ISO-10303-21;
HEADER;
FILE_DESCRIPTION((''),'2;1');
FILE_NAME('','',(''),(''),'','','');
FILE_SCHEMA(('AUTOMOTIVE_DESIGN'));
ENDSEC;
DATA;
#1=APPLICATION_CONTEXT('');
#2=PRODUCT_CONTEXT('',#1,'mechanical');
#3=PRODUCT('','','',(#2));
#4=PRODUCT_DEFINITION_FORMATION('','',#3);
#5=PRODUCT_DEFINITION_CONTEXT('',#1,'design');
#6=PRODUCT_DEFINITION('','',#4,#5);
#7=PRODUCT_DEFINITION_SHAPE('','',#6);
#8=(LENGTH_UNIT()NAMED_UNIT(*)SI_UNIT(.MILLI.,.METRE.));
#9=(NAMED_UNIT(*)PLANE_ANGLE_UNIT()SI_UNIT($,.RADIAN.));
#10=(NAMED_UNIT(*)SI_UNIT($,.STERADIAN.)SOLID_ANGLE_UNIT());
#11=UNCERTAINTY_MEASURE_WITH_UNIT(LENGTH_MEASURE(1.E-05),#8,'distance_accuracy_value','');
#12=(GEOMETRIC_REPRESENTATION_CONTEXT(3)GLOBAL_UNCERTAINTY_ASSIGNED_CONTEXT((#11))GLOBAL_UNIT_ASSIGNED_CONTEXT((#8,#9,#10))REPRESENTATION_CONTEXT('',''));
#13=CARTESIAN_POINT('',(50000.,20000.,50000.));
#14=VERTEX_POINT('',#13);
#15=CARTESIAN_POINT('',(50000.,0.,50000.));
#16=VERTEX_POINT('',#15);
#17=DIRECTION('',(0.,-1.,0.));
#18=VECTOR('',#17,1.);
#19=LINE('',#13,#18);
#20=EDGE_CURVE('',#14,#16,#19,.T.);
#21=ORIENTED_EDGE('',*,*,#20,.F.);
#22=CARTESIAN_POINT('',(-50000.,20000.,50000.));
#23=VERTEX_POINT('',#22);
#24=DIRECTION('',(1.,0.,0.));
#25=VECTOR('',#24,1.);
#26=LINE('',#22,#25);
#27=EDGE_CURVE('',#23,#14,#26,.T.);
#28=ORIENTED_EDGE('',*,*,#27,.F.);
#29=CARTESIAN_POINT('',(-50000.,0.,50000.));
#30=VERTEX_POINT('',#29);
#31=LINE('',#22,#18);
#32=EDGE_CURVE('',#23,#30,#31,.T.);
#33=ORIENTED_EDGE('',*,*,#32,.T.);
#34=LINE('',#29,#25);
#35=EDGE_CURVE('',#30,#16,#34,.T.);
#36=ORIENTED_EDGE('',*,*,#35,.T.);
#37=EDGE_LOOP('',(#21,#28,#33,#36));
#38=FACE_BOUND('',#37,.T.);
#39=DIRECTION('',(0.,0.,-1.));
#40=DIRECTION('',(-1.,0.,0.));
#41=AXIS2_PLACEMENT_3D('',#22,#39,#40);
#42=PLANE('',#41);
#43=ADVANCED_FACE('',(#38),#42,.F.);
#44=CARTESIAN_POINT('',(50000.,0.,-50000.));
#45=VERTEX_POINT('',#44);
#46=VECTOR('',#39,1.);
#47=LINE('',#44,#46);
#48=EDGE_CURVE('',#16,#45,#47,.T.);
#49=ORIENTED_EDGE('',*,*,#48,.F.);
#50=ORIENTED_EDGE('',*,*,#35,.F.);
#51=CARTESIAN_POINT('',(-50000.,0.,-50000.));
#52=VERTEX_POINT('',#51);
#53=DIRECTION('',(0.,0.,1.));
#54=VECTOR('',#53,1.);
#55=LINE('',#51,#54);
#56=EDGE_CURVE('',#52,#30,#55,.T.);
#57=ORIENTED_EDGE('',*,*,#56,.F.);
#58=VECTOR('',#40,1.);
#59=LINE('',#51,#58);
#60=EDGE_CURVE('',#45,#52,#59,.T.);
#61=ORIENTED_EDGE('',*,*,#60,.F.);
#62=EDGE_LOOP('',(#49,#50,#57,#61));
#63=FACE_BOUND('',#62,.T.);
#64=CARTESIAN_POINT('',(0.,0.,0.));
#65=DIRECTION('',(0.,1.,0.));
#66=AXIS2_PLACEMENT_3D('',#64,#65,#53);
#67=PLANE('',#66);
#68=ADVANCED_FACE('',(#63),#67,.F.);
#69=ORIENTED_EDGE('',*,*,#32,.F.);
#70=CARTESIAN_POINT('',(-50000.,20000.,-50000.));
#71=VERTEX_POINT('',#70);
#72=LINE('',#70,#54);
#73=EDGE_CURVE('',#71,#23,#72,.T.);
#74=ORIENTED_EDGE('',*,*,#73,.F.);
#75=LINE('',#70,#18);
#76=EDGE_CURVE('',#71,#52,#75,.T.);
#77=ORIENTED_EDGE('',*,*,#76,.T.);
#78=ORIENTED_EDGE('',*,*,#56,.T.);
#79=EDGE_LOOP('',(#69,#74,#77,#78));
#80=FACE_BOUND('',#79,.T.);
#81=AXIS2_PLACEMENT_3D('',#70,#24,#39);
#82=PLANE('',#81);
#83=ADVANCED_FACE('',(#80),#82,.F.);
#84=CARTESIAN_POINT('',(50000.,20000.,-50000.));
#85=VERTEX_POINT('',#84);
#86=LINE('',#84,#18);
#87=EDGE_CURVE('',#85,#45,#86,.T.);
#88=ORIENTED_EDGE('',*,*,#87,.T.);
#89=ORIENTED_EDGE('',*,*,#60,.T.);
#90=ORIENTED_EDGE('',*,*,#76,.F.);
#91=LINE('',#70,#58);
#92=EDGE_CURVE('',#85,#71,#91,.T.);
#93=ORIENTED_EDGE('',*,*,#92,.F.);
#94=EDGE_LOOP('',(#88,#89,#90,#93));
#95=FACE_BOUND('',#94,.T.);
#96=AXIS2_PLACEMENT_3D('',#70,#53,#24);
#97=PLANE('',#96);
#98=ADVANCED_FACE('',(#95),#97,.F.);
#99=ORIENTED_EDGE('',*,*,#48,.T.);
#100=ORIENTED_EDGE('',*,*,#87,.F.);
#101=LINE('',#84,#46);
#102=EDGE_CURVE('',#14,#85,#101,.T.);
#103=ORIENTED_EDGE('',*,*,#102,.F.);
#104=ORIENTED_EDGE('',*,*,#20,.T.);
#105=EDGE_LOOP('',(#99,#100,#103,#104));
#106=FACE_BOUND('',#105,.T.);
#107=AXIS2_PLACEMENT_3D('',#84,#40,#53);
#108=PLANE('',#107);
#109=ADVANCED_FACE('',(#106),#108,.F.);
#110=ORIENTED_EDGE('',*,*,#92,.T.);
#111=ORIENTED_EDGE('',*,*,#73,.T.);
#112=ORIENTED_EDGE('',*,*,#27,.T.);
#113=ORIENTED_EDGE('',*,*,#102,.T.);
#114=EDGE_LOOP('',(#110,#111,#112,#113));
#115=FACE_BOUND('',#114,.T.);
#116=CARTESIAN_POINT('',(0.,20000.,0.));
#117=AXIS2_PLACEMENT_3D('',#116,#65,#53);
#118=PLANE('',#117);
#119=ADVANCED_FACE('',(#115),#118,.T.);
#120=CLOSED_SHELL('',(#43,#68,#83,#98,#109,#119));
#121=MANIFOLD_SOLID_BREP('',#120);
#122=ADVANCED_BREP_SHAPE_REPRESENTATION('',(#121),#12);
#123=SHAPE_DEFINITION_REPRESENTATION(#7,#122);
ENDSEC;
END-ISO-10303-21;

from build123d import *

# Parameters (mm, degrees)
SKETCH_1_W      = 100000
SKETCH_1_H      = 100000
EXTRUDE_1_DEPTH = 20000


with BuildPart() as part:
    # 草圖1 → 填料-伸長1 (new body)
    with BuildSketch(Plane(origin=(0, 0, 0), x_dir=(1, 0, 0), z_dir=(0, 1, 0))):
        Rectangle(SKETCH_1_W, SKETCH_1_H)
    extrude(amount=EXTRUDE_1_DEPTH)


solid = part.part
